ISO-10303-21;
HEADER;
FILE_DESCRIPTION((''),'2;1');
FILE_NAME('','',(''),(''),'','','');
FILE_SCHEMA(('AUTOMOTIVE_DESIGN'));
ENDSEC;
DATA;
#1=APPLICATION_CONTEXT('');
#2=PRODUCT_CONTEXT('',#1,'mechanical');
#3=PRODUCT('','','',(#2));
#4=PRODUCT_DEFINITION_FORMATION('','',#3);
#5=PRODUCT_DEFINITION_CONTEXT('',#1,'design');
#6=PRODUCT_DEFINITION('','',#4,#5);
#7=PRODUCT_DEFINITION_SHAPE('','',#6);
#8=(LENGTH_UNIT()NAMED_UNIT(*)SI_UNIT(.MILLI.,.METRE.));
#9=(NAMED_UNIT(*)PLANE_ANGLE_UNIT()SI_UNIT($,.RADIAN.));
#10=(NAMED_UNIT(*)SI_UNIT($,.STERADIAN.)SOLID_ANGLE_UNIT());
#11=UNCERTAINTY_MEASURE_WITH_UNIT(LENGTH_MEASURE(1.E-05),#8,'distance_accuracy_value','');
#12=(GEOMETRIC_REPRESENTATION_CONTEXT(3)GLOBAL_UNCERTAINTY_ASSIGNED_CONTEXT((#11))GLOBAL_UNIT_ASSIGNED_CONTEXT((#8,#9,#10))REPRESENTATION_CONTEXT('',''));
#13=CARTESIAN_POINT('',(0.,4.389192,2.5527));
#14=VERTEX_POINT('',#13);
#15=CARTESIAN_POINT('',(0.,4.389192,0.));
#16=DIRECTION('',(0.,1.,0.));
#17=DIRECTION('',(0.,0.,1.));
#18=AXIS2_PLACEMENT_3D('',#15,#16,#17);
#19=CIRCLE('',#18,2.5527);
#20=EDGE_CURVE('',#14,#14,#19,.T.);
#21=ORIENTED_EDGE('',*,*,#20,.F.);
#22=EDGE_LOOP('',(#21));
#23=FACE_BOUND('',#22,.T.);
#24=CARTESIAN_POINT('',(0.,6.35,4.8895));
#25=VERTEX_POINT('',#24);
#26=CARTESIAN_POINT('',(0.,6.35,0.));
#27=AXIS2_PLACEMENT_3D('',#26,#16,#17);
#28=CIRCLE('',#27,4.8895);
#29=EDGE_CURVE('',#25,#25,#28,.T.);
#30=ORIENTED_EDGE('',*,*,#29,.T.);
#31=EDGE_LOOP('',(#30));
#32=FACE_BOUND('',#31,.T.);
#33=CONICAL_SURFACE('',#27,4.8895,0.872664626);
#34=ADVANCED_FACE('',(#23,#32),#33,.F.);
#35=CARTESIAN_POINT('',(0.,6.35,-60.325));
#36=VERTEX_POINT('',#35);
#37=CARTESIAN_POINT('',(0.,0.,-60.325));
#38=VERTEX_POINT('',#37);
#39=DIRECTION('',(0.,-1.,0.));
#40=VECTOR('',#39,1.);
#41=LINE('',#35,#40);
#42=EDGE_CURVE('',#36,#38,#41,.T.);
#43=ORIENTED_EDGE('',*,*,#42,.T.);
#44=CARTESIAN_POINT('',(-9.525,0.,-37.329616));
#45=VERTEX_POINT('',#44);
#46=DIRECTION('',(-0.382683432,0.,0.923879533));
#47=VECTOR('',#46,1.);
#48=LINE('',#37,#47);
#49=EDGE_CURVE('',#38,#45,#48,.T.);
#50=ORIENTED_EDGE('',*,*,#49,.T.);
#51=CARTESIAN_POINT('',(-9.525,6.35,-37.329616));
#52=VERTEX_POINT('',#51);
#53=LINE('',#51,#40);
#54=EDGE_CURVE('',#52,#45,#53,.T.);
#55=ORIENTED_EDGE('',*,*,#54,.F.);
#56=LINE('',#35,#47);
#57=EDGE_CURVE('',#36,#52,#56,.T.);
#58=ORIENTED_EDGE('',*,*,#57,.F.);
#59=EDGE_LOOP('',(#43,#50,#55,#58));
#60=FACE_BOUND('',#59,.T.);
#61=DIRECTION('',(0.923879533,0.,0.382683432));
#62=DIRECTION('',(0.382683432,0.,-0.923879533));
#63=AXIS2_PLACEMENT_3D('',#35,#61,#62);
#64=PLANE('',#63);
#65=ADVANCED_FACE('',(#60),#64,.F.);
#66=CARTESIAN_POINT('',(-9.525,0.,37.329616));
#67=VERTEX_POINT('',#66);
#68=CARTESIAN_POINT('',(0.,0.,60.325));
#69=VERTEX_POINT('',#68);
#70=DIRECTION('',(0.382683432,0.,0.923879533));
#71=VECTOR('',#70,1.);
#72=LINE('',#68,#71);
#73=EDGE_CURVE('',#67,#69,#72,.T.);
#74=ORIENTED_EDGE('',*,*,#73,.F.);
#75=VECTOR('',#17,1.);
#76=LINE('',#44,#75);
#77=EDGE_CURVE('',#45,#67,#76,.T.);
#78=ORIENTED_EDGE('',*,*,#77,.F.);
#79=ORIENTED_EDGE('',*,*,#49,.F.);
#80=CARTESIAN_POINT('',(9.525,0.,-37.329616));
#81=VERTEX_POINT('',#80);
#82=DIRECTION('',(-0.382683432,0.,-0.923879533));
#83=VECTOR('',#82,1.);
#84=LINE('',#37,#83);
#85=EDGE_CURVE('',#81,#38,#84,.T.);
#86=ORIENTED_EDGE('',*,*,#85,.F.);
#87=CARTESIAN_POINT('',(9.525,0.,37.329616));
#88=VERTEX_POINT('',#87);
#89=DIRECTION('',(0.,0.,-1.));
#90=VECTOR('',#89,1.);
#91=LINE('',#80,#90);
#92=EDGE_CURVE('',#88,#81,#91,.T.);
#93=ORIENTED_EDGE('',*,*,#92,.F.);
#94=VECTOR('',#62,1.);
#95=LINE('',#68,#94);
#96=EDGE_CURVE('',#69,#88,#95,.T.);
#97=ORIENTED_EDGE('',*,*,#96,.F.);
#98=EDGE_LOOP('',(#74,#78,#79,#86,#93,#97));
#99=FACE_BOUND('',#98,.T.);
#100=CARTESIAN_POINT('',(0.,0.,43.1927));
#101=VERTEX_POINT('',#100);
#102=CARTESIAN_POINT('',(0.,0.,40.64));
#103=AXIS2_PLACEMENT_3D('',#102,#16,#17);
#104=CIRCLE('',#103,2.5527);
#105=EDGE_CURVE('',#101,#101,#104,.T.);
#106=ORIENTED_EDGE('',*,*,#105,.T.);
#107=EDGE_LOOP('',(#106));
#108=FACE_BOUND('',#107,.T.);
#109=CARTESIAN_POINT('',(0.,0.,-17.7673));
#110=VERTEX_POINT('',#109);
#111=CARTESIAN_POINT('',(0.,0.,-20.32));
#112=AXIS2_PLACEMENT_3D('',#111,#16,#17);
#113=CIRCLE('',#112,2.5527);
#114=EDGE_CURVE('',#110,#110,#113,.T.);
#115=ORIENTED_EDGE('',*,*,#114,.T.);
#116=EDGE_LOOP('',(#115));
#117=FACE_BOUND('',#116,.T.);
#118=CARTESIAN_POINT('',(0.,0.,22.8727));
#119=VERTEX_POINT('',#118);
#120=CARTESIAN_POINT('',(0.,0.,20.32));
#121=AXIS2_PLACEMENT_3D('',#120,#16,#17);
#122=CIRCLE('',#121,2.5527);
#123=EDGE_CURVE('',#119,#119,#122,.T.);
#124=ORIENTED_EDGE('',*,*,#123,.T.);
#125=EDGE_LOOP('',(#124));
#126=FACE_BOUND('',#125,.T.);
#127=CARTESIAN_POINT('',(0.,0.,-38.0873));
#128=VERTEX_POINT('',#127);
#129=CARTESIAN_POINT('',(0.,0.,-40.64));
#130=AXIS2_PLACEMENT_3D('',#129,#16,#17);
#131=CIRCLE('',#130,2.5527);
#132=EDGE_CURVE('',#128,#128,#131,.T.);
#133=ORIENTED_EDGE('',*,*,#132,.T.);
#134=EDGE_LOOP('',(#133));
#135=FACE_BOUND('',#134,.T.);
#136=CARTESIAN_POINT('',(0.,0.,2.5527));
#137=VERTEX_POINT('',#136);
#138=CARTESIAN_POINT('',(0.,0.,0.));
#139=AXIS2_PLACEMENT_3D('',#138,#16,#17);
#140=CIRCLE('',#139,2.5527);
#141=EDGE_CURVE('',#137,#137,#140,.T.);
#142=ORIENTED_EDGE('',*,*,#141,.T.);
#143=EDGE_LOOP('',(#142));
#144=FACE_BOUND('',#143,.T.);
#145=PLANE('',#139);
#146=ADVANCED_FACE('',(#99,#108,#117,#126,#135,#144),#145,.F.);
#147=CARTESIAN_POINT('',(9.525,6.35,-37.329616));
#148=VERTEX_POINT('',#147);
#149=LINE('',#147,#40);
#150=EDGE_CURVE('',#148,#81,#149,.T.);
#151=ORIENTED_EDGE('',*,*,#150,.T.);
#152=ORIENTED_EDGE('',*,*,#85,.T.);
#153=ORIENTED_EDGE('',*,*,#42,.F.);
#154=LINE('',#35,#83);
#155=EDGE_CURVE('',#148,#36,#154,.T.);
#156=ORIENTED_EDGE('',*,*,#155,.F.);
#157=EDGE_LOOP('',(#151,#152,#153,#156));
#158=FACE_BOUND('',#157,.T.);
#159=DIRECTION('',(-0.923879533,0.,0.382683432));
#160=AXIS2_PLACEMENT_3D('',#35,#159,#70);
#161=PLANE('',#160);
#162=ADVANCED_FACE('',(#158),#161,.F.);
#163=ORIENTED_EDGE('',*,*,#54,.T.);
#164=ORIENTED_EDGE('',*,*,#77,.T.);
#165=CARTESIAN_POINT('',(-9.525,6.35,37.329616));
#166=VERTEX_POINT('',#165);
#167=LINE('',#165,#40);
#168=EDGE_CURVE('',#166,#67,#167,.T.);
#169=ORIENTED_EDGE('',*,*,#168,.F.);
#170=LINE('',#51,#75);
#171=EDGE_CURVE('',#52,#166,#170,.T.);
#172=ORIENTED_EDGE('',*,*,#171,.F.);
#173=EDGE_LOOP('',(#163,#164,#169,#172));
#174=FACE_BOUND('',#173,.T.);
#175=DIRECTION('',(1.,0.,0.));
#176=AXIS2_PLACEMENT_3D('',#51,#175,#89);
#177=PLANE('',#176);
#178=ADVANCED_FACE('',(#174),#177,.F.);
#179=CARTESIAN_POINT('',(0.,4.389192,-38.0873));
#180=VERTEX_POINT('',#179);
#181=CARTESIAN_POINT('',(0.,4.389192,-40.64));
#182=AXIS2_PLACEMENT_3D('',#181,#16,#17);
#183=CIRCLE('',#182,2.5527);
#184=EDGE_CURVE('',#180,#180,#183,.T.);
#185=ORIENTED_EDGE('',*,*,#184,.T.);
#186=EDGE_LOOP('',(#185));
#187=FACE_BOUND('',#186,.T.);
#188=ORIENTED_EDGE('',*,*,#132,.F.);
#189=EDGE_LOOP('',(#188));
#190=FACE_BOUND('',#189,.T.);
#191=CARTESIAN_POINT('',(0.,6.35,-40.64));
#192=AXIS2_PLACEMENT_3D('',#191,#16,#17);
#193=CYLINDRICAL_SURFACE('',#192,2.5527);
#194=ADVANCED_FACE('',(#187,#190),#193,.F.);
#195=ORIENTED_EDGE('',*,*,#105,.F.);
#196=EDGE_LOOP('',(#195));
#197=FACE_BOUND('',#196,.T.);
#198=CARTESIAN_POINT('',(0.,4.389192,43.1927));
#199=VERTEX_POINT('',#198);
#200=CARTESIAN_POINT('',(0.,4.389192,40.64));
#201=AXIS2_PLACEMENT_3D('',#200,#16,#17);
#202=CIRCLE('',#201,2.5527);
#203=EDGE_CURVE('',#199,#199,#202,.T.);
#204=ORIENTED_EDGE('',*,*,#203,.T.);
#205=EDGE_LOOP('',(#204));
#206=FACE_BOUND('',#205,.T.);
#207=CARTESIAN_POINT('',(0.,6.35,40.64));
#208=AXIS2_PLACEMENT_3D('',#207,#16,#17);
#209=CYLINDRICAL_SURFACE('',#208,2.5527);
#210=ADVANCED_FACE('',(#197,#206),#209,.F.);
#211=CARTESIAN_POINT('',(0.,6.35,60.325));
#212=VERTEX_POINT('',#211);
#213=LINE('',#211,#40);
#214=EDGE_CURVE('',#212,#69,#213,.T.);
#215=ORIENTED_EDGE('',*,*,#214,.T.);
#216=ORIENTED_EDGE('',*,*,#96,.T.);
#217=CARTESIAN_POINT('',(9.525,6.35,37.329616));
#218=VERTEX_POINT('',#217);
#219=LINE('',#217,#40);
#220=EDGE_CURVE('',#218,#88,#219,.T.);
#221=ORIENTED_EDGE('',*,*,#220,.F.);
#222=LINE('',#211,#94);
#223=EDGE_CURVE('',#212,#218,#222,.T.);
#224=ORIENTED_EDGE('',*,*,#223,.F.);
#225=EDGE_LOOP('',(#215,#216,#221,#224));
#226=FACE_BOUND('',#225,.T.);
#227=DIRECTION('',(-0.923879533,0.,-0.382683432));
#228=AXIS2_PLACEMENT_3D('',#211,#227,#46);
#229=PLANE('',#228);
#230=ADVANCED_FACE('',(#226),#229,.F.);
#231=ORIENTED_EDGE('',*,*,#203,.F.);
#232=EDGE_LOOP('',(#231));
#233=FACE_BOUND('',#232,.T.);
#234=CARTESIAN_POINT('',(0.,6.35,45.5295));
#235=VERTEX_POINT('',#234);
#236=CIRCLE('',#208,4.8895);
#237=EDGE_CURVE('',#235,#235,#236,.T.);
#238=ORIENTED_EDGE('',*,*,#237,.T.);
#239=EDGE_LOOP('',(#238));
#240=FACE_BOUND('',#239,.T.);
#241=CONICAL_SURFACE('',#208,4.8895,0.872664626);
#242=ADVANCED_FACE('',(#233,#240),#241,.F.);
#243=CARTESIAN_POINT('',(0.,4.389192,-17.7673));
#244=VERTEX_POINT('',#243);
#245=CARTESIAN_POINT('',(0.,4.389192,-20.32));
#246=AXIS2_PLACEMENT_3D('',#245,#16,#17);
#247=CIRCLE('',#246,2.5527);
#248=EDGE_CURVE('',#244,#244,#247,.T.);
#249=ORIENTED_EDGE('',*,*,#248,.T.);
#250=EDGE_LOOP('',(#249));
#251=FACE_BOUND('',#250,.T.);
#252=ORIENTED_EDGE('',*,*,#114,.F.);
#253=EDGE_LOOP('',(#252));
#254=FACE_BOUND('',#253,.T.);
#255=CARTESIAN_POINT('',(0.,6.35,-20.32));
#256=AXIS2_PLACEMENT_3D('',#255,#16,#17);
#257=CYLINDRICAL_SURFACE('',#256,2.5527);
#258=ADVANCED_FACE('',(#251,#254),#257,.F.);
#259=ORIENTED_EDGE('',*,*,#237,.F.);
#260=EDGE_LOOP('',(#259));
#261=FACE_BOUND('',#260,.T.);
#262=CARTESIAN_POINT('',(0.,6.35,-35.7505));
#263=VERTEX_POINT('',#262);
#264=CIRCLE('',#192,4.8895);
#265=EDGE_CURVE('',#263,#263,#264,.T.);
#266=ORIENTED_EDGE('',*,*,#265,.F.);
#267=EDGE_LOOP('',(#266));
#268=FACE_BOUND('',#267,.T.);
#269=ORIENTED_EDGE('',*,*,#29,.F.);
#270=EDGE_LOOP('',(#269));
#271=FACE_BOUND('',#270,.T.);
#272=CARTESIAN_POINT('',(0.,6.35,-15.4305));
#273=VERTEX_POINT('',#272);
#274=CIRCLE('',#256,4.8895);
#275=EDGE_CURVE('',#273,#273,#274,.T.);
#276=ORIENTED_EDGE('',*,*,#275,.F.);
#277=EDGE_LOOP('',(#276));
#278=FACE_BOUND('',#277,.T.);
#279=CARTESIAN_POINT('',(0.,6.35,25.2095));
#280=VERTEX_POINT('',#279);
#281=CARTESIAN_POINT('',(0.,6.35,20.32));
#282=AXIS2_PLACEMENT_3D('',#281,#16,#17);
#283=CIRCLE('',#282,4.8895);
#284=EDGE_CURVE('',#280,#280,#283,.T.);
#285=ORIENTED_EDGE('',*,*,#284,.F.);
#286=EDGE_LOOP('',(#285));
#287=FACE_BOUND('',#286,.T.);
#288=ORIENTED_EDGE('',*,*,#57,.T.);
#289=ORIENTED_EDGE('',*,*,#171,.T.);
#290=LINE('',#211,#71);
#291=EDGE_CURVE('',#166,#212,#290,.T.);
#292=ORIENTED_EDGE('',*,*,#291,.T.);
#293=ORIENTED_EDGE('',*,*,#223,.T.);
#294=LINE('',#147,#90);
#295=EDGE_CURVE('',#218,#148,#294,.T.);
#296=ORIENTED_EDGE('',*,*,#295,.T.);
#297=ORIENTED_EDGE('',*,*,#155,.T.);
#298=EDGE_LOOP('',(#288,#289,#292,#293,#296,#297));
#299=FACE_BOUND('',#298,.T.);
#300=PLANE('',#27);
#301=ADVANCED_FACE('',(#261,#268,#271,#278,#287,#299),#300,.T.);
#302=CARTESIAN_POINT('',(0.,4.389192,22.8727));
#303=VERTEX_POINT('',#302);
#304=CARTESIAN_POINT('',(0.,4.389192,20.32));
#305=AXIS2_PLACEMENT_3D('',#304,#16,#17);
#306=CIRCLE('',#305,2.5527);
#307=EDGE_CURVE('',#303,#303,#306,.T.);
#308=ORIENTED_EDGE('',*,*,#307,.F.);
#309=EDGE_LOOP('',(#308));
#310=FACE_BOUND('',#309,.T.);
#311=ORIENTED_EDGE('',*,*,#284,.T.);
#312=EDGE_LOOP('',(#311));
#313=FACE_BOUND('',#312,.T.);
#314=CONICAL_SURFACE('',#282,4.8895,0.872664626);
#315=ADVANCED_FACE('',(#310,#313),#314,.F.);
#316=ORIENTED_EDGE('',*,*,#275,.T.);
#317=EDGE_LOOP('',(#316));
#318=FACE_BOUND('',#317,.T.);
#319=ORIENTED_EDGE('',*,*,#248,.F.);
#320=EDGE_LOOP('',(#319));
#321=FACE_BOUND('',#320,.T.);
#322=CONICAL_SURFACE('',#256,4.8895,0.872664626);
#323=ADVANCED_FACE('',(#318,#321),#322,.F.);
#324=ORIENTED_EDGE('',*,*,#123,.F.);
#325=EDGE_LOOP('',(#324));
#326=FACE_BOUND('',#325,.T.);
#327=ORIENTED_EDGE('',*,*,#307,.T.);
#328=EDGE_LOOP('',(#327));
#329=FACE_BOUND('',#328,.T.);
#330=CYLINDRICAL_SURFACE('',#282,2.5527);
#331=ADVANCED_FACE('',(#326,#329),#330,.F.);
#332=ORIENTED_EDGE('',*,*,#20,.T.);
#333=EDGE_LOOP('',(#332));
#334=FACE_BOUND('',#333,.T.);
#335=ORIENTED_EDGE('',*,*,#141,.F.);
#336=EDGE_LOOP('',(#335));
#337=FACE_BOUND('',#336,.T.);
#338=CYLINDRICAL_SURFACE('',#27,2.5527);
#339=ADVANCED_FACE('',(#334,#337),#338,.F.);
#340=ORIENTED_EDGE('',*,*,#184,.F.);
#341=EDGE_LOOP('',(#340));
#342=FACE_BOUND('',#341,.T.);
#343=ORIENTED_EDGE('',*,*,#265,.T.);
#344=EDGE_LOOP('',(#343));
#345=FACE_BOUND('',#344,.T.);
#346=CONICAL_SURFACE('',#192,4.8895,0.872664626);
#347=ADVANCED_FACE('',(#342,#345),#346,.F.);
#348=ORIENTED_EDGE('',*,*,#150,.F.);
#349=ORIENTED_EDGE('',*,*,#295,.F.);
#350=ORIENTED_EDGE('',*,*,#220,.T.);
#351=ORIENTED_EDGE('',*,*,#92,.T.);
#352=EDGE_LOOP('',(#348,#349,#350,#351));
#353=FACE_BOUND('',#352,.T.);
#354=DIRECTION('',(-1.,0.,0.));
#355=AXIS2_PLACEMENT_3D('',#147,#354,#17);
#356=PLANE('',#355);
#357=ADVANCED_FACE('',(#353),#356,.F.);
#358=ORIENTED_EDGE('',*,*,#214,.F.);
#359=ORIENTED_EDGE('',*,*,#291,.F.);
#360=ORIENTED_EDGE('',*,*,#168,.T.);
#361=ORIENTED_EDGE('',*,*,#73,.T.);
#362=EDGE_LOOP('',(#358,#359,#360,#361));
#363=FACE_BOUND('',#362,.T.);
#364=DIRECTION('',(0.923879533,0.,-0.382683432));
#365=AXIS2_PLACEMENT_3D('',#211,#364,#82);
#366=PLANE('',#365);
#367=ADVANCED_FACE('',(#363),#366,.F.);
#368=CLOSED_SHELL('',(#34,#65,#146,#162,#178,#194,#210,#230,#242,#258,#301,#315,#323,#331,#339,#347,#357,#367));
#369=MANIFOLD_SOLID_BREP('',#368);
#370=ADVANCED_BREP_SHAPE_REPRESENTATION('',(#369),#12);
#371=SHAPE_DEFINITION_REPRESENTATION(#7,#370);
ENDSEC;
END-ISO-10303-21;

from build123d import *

# Parameters (mm, degrees)
BOSS_EXTRUDE1_DEPTH                                = 6.35
CSK_FOR_10_FLAT_HEAD_MACHINE_SCREW_100_D           = 5.1054
CSK_FOR_10_FLAT_HEAD_MACHINE_SCREW_100_CSINK_D     = 9.779
CSK_FOR_10_FLAT_HEAD_MACHINE_SCREW_100_CSINK_ANGLE = 100


with BuildPart() as part:
    # Sketch1 → Boss-Extrude1 (new body)
    with BuildSketch(Plane(origin=(0, 0, 0), x_dir=(1, 0, 0), z_dir=(0, 1, 0))):
        Polygon((0, 60.325), (-9.525, 37.329615818), (-9.525, -37.329615818), (0, -60.325), (9.525, -37.329615818), (9.525, 37.329615818), align=None)
    extrude(amount=BOSS_EXTRUDE1_DEPTH)

    # CSK for #10 Flat Head Machine Screw (100)1 (through all)
    with Locations(Plane(origin=(0, 6.35, 0), x_dir=(1, 0, 0), z_dir=(0, 1, 0))):
        with Locations((0, 20.32), (0, 40.64), (0, 0), (0, -20.32), (0, -40.64)):
            CounterSinkHole(CSK_FOR_10_FLAT_HEAD_MACHINE_SCREW_100_D / 2, CSK_FOR_10_FLAT_HEAD_MACHINE_SCREW_100_CSINK_D / 2, counter_sink_angle=CSK_FOR_10_FLAT_HEAD_MACHINE_SCREW_100_CSINK_ANGLE)


solid = part.part
